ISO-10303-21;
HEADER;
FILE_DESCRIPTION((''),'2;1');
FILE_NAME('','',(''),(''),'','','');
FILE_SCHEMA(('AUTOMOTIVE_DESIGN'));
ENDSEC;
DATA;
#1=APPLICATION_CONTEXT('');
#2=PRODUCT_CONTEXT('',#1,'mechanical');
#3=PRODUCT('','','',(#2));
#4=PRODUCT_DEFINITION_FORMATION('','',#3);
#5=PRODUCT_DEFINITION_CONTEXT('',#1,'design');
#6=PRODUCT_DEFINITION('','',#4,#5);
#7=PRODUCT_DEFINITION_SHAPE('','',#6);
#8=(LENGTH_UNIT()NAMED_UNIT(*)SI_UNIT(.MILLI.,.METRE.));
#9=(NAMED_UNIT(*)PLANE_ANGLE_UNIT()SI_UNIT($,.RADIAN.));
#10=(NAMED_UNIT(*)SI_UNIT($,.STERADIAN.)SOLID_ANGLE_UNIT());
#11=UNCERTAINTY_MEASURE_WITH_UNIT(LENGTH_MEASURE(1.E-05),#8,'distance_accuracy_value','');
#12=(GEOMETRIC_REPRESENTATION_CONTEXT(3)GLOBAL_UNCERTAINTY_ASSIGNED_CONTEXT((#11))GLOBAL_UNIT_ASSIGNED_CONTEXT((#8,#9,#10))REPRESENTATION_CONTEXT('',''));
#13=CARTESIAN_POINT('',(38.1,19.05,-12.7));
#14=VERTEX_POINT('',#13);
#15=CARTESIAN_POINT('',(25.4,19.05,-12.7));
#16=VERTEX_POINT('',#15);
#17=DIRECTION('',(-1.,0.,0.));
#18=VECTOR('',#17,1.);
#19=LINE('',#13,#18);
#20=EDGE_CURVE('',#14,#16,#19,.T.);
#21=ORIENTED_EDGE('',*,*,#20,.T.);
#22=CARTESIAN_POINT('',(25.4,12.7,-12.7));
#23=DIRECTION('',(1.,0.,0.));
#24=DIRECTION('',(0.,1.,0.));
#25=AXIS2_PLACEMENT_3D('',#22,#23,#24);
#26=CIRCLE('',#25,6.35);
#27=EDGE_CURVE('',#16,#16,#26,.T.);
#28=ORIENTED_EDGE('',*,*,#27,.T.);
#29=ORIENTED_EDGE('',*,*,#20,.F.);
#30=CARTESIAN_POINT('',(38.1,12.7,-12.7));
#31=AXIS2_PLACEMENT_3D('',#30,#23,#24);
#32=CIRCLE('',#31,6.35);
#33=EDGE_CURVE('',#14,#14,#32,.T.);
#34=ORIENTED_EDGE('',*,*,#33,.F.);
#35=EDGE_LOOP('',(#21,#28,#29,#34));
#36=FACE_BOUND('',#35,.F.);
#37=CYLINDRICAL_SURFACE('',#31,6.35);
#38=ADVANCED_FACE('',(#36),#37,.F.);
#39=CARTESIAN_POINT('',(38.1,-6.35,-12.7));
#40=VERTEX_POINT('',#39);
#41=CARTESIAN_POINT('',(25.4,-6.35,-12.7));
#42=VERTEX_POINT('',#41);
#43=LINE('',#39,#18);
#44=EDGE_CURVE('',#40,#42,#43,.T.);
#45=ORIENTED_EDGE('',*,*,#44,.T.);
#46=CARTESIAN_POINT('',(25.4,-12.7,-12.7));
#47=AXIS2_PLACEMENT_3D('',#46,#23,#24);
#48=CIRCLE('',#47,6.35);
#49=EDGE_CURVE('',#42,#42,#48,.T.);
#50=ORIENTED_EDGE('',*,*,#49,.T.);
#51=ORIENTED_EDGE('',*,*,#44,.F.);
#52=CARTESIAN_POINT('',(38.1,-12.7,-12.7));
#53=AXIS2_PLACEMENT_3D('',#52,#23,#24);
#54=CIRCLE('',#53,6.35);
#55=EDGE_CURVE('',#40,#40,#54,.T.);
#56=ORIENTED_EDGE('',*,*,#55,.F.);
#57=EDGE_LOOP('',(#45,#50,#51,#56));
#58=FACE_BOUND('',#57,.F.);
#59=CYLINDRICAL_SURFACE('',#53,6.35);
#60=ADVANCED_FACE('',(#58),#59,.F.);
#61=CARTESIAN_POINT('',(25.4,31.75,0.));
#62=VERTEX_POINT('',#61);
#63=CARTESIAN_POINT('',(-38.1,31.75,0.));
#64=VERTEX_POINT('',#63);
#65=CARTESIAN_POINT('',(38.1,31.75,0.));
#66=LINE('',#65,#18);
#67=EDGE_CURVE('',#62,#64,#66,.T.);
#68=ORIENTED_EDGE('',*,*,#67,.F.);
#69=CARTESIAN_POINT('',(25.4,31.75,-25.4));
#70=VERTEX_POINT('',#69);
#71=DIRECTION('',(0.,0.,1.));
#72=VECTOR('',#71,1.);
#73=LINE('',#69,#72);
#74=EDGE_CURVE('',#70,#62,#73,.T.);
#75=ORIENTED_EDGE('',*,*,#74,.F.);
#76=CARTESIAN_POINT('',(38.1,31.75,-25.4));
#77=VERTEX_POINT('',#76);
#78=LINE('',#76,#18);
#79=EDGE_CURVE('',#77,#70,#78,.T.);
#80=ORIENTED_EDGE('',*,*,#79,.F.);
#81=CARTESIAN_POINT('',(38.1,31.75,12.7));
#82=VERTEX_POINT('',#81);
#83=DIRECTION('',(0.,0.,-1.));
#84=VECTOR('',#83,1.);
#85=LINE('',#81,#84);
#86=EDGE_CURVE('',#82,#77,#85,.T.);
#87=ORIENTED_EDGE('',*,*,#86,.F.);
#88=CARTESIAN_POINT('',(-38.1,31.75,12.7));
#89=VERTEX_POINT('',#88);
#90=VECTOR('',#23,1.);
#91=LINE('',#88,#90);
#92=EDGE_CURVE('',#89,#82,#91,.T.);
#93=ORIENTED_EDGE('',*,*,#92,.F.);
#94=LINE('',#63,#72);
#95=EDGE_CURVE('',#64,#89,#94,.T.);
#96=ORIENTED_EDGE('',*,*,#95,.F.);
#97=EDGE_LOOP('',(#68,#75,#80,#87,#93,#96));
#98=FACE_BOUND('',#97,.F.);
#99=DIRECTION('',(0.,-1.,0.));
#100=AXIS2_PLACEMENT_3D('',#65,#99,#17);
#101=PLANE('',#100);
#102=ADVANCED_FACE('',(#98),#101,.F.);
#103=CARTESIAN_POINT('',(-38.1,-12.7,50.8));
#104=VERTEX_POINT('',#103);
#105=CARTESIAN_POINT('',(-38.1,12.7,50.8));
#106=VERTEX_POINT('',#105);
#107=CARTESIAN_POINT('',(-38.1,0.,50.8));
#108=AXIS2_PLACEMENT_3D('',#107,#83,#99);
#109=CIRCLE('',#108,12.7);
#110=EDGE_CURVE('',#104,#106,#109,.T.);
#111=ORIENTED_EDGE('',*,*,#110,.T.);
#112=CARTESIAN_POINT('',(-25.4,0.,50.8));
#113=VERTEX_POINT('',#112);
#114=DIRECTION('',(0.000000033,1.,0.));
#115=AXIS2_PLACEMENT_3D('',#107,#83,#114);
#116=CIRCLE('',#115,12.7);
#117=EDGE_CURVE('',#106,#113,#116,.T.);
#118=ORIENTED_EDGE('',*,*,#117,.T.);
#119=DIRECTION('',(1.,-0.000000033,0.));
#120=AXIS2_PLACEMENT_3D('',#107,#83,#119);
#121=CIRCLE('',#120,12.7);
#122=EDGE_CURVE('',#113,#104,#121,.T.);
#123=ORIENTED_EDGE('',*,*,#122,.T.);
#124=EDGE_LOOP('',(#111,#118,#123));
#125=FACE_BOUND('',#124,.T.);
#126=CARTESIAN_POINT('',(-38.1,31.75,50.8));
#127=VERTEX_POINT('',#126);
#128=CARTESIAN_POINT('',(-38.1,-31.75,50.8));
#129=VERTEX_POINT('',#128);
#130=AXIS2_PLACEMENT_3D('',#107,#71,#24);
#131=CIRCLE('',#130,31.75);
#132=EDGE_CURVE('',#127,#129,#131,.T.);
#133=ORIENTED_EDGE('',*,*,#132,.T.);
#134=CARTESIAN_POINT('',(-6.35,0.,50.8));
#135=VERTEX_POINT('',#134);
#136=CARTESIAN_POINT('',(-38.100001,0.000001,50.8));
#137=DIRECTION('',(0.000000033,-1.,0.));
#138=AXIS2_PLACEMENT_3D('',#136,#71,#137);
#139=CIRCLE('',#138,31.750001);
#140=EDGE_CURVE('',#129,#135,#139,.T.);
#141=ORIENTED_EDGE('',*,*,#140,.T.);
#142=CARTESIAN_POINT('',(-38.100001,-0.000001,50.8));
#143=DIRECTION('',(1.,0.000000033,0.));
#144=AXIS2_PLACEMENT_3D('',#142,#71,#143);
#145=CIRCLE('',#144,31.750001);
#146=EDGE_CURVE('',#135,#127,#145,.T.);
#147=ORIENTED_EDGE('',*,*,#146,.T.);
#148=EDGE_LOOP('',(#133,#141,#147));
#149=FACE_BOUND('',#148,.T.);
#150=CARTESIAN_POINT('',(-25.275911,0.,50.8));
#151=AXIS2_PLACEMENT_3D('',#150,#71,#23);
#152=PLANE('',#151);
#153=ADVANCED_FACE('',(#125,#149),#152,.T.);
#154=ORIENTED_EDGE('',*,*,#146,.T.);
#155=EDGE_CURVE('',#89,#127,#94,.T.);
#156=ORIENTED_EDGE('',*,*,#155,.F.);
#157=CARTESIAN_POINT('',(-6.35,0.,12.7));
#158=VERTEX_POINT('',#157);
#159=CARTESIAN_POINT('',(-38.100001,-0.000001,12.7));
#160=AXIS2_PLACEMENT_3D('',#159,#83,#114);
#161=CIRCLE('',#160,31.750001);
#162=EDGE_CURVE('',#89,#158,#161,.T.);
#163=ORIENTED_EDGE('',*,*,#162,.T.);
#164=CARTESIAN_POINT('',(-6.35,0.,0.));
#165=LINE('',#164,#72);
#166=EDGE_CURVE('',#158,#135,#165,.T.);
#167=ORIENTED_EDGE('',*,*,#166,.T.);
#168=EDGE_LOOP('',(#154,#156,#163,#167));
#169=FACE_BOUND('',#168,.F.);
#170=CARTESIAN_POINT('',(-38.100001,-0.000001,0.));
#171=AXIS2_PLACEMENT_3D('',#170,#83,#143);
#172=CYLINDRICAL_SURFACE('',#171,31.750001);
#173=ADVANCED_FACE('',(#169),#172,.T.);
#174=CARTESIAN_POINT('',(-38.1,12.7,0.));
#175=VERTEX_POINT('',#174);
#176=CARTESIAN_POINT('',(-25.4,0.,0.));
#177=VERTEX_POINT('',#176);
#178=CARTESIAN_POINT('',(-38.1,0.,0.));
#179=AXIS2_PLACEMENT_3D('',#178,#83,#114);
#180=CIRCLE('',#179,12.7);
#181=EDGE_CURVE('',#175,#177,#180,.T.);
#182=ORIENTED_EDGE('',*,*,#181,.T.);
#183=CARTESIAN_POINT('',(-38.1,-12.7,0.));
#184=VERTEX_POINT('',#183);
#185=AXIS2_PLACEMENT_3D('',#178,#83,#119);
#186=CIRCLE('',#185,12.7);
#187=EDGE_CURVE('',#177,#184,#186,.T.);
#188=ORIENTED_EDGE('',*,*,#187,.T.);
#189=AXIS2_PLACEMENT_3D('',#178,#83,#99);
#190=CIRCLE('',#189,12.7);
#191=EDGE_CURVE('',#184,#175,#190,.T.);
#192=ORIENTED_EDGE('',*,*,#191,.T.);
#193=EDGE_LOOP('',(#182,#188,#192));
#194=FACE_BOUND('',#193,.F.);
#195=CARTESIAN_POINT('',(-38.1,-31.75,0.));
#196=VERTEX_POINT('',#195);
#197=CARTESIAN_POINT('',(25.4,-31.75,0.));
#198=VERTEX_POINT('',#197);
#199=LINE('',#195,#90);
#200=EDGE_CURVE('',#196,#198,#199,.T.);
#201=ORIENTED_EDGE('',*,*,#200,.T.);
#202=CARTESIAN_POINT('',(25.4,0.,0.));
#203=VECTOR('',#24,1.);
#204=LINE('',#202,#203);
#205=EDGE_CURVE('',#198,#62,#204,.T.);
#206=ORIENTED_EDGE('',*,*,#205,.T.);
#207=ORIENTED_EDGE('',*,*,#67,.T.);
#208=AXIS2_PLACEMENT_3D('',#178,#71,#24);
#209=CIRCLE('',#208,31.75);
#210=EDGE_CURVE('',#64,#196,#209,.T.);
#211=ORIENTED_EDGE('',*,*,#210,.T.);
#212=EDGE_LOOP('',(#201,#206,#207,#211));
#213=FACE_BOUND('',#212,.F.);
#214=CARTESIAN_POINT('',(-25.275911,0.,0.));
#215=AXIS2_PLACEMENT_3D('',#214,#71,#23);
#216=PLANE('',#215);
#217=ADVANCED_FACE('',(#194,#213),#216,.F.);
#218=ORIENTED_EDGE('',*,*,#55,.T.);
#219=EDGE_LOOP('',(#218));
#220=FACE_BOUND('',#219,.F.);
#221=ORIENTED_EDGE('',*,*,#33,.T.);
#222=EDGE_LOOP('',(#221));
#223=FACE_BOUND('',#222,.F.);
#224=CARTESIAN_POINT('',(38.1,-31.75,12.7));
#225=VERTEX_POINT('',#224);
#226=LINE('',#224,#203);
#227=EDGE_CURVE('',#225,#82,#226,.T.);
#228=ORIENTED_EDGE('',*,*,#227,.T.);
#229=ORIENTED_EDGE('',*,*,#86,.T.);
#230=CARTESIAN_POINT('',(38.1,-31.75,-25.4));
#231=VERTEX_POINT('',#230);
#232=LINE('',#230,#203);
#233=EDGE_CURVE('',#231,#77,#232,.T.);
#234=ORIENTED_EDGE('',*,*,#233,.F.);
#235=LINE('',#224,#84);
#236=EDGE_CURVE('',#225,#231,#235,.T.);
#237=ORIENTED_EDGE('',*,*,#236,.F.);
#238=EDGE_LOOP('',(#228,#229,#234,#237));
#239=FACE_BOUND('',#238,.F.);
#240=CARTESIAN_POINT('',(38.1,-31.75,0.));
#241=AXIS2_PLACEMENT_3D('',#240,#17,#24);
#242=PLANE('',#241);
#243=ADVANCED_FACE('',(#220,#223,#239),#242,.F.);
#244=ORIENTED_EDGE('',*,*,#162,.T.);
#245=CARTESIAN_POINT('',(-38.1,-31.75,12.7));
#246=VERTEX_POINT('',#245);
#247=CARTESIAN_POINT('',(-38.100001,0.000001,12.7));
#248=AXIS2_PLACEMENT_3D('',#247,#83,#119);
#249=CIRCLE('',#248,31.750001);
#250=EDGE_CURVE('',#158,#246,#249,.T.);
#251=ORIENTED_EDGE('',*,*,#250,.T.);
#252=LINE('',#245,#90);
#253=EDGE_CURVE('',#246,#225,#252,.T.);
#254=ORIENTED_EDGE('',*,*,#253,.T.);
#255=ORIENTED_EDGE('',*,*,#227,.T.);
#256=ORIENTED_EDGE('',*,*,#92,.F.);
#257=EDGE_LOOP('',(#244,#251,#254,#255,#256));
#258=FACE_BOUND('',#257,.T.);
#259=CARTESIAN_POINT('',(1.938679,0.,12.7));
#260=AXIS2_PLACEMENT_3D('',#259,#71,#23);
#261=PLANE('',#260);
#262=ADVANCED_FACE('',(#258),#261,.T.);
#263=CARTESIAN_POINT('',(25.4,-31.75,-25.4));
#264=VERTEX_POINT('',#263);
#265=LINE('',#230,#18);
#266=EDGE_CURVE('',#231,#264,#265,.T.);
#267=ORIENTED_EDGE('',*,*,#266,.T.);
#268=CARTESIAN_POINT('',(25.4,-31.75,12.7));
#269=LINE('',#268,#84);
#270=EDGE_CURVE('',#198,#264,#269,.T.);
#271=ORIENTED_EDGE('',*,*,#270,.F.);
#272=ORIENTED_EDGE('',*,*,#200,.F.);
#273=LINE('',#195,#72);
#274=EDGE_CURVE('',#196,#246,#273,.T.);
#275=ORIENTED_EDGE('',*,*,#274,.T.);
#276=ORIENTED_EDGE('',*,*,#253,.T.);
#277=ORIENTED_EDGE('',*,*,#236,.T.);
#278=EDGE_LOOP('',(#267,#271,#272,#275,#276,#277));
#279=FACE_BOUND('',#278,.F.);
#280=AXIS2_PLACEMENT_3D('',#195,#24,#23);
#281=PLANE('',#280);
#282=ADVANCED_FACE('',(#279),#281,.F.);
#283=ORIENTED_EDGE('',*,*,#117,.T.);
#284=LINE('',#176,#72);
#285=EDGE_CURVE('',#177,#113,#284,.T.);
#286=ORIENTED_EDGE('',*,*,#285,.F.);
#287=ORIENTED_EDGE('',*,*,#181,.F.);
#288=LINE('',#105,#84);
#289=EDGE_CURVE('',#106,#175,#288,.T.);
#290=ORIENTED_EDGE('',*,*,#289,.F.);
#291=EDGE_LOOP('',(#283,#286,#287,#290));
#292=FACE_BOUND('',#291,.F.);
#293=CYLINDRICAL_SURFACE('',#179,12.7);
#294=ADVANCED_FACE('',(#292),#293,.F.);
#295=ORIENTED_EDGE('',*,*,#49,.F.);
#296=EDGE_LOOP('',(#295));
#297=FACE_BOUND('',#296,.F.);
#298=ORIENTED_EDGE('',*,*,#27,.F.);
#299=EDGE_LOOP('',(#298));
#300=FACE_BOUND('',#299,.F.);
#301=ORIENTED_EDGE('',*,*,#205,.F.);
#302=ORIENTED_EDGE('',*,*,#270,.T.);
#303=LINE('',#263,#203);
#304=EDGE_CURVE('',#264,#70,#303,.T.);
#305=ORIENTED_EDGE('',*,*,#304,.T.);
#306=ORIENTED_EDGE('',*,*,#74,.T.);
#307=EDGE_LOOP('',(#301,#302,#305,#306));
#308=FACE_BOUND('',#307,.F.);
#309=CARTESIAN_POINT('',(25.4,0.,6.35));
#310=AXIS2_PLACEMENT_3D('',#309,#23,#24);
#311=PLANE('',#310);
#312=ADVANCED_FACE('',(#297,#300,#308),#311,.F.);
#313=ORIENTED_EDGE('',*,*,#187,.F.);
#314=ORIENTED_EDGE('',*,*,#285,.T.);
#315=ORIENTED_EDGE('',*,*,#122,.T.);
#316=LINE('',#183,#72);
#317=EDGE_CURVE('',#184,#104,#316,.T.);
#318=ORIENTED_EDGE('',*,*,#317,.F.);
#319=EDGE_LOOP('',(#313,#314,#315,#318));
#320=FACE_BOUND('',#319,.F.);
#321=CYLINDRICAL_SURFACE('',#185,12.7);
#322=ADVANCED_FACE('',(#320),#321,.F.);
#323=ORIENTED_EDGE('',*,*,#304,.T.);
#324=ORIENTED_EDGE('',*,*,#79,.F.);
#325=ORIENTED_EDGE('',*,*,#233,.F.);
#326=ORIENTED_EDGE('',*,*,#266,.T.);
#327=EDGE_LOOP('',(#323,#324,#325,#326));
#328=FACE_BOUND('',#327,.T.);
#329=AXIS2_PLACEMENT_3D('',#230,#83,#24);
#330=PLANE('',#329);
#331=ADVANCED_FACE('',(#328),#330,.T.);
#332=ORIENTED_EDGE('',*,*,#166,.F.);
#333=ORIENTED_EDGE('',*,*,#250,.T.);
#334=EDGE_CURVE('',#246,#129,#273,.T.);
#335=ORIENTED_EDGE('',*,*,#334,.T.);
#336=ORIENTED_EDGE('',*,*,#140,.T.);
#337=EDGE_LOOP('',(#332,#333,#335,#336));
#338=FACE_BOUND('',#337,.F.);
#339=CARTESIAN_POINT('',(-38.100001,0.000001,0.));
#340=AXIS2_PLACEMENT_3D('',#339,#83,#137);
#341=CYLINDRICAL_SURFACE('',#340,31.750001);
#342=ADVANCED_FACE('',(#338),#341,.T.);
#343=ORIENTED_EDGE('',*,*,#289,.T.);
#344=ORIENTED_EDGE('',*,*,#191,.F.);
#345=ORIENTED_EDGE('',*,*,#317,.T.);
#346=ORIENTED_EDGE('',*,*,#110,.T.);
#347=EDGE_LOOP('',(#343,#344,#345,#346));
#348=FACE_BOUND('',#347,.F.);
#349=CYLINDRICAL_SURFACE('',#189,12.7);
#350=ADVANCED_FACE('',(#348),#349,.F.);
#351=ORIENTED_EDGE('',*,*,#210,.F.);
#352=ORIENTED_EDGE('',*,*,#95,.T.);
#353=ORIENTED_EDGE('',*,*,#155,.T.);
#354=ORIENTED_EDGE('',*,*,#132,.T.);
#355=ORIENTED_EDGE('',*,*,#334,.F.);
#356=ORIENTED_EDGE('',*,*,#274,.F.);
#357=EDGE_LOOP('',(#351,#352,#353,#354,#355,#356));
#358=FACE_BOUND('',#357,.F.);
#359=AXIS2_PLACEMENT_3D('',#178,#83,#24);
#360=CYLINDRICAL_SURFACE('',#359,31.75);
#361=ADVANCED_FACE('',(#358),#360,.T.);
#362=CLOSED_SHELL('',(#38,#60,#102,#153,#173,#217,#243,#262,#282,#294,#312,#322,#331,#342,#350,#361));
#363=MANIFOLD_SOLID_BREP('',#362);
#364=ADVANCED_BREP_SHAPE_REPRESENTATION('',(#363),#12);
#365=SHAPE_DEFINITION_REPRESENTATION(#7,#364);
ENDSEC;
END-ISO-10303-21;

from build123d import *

# Parameters (mm, degrees)
F1_DEPTH = 12.7
F2_DEPTH = 50.8
F3_W     = 31.75
F3_H     = 25.4
F3_R     = 6.35
F4_DEPTH = 12.7


with BuildPart() as f1:
    # F0 (on Top) → F1 (new body)
    with BuildSketch(Plane.XY):
        with BuildLine():
            Line((-38.1, -31.75), (38.1, -31.75))
            Line((38.1, -31.75), (38.1, 31.75))
            Line((38.1, 31.75), (-38.1, 31.75))
            ThreePointArc((-38.1, 31.75), (-15.64936, 22.45064), (-6.35, 0))
            ThreePointArc((-6.35, 0), (-15.64936, -22.45064), (-38.1, -31.75))
        make_face()
        with BuildLine():
            ThreePointArc((-38.1, 31.75), (-69.85, 0), (-38.1, -31.75))
            Line((-38.1, -31.75), (-38.1, -12.7))
            ThreePointArc((-38.1, -12.7), (-50.8, 0), (-38.1, 12.7))
            Line((-38.1, 12.7), (-38.1, 31.75))
        make_face()
    extrude(amount=F1_DEPTH)

    # F0 (on Top) → F2 (join)
    with BuildSketch(Plane.XY):
        with BuildLine():
            Line((-38.1, -12.7), (-38.1, -31.75))
            ThreePointArc((-38.1, -31.75), (-15.64936, -22.45064), (-6.35, 0))
            ThreePointArc((-6.35, 0), (-15.64936, 22.45064), (-38.1, 31.75))
            Line((-38.1, 31.75), (-38.1, 12.7))
            ThreePointArc((-38.1, 12.7), (-29.119744, 8.980256), (-25.4, 0))
            ThreePointArc((-25.4, 0), (-29.119744, -8.980256), (-38.1, -12.7))
        make_face()
        with BuildLine():
            ThreePointArc((-38.1, 31.75), (-69.85, 0), (-38.1, -31.75))
            Line((-38.1, -31.75), (-38.1, -12.7))
            ThreePointArc((-38.1, -12.7), (-50.8, 0), (-38.1, 12.7))
            Line((-38.1, 12.7), (-38.1, 31.75))
        make_face()
    extrude(amount=F2_DEPTH)

    # F3 (on face) → F4 (join)
    with BuildSketch(Plane.YZ.offset(38.1)):
        Polygon((31.75, 12.7), (-31.75, 12.7), (-31.75, 0), (0, 0), (31.75, 0), align=None)
        with Locations((-15.875, -12.7)):
            Rectangle(F3_W, F3_H)
        with Locations((-12.7, -12.7)):
            Circle(F3_R, mode=Mode.SUBTRACT)
        with Locations((15.875, -12.7)):
            Rectangle(F3_W, F3_H)
        with Locations((12.7, -12.7)):
            Circle(F3_R, mode=Mode.SUBTRACT)
    extrude(amount=-F4_DEPTH)


solid = f1.part
